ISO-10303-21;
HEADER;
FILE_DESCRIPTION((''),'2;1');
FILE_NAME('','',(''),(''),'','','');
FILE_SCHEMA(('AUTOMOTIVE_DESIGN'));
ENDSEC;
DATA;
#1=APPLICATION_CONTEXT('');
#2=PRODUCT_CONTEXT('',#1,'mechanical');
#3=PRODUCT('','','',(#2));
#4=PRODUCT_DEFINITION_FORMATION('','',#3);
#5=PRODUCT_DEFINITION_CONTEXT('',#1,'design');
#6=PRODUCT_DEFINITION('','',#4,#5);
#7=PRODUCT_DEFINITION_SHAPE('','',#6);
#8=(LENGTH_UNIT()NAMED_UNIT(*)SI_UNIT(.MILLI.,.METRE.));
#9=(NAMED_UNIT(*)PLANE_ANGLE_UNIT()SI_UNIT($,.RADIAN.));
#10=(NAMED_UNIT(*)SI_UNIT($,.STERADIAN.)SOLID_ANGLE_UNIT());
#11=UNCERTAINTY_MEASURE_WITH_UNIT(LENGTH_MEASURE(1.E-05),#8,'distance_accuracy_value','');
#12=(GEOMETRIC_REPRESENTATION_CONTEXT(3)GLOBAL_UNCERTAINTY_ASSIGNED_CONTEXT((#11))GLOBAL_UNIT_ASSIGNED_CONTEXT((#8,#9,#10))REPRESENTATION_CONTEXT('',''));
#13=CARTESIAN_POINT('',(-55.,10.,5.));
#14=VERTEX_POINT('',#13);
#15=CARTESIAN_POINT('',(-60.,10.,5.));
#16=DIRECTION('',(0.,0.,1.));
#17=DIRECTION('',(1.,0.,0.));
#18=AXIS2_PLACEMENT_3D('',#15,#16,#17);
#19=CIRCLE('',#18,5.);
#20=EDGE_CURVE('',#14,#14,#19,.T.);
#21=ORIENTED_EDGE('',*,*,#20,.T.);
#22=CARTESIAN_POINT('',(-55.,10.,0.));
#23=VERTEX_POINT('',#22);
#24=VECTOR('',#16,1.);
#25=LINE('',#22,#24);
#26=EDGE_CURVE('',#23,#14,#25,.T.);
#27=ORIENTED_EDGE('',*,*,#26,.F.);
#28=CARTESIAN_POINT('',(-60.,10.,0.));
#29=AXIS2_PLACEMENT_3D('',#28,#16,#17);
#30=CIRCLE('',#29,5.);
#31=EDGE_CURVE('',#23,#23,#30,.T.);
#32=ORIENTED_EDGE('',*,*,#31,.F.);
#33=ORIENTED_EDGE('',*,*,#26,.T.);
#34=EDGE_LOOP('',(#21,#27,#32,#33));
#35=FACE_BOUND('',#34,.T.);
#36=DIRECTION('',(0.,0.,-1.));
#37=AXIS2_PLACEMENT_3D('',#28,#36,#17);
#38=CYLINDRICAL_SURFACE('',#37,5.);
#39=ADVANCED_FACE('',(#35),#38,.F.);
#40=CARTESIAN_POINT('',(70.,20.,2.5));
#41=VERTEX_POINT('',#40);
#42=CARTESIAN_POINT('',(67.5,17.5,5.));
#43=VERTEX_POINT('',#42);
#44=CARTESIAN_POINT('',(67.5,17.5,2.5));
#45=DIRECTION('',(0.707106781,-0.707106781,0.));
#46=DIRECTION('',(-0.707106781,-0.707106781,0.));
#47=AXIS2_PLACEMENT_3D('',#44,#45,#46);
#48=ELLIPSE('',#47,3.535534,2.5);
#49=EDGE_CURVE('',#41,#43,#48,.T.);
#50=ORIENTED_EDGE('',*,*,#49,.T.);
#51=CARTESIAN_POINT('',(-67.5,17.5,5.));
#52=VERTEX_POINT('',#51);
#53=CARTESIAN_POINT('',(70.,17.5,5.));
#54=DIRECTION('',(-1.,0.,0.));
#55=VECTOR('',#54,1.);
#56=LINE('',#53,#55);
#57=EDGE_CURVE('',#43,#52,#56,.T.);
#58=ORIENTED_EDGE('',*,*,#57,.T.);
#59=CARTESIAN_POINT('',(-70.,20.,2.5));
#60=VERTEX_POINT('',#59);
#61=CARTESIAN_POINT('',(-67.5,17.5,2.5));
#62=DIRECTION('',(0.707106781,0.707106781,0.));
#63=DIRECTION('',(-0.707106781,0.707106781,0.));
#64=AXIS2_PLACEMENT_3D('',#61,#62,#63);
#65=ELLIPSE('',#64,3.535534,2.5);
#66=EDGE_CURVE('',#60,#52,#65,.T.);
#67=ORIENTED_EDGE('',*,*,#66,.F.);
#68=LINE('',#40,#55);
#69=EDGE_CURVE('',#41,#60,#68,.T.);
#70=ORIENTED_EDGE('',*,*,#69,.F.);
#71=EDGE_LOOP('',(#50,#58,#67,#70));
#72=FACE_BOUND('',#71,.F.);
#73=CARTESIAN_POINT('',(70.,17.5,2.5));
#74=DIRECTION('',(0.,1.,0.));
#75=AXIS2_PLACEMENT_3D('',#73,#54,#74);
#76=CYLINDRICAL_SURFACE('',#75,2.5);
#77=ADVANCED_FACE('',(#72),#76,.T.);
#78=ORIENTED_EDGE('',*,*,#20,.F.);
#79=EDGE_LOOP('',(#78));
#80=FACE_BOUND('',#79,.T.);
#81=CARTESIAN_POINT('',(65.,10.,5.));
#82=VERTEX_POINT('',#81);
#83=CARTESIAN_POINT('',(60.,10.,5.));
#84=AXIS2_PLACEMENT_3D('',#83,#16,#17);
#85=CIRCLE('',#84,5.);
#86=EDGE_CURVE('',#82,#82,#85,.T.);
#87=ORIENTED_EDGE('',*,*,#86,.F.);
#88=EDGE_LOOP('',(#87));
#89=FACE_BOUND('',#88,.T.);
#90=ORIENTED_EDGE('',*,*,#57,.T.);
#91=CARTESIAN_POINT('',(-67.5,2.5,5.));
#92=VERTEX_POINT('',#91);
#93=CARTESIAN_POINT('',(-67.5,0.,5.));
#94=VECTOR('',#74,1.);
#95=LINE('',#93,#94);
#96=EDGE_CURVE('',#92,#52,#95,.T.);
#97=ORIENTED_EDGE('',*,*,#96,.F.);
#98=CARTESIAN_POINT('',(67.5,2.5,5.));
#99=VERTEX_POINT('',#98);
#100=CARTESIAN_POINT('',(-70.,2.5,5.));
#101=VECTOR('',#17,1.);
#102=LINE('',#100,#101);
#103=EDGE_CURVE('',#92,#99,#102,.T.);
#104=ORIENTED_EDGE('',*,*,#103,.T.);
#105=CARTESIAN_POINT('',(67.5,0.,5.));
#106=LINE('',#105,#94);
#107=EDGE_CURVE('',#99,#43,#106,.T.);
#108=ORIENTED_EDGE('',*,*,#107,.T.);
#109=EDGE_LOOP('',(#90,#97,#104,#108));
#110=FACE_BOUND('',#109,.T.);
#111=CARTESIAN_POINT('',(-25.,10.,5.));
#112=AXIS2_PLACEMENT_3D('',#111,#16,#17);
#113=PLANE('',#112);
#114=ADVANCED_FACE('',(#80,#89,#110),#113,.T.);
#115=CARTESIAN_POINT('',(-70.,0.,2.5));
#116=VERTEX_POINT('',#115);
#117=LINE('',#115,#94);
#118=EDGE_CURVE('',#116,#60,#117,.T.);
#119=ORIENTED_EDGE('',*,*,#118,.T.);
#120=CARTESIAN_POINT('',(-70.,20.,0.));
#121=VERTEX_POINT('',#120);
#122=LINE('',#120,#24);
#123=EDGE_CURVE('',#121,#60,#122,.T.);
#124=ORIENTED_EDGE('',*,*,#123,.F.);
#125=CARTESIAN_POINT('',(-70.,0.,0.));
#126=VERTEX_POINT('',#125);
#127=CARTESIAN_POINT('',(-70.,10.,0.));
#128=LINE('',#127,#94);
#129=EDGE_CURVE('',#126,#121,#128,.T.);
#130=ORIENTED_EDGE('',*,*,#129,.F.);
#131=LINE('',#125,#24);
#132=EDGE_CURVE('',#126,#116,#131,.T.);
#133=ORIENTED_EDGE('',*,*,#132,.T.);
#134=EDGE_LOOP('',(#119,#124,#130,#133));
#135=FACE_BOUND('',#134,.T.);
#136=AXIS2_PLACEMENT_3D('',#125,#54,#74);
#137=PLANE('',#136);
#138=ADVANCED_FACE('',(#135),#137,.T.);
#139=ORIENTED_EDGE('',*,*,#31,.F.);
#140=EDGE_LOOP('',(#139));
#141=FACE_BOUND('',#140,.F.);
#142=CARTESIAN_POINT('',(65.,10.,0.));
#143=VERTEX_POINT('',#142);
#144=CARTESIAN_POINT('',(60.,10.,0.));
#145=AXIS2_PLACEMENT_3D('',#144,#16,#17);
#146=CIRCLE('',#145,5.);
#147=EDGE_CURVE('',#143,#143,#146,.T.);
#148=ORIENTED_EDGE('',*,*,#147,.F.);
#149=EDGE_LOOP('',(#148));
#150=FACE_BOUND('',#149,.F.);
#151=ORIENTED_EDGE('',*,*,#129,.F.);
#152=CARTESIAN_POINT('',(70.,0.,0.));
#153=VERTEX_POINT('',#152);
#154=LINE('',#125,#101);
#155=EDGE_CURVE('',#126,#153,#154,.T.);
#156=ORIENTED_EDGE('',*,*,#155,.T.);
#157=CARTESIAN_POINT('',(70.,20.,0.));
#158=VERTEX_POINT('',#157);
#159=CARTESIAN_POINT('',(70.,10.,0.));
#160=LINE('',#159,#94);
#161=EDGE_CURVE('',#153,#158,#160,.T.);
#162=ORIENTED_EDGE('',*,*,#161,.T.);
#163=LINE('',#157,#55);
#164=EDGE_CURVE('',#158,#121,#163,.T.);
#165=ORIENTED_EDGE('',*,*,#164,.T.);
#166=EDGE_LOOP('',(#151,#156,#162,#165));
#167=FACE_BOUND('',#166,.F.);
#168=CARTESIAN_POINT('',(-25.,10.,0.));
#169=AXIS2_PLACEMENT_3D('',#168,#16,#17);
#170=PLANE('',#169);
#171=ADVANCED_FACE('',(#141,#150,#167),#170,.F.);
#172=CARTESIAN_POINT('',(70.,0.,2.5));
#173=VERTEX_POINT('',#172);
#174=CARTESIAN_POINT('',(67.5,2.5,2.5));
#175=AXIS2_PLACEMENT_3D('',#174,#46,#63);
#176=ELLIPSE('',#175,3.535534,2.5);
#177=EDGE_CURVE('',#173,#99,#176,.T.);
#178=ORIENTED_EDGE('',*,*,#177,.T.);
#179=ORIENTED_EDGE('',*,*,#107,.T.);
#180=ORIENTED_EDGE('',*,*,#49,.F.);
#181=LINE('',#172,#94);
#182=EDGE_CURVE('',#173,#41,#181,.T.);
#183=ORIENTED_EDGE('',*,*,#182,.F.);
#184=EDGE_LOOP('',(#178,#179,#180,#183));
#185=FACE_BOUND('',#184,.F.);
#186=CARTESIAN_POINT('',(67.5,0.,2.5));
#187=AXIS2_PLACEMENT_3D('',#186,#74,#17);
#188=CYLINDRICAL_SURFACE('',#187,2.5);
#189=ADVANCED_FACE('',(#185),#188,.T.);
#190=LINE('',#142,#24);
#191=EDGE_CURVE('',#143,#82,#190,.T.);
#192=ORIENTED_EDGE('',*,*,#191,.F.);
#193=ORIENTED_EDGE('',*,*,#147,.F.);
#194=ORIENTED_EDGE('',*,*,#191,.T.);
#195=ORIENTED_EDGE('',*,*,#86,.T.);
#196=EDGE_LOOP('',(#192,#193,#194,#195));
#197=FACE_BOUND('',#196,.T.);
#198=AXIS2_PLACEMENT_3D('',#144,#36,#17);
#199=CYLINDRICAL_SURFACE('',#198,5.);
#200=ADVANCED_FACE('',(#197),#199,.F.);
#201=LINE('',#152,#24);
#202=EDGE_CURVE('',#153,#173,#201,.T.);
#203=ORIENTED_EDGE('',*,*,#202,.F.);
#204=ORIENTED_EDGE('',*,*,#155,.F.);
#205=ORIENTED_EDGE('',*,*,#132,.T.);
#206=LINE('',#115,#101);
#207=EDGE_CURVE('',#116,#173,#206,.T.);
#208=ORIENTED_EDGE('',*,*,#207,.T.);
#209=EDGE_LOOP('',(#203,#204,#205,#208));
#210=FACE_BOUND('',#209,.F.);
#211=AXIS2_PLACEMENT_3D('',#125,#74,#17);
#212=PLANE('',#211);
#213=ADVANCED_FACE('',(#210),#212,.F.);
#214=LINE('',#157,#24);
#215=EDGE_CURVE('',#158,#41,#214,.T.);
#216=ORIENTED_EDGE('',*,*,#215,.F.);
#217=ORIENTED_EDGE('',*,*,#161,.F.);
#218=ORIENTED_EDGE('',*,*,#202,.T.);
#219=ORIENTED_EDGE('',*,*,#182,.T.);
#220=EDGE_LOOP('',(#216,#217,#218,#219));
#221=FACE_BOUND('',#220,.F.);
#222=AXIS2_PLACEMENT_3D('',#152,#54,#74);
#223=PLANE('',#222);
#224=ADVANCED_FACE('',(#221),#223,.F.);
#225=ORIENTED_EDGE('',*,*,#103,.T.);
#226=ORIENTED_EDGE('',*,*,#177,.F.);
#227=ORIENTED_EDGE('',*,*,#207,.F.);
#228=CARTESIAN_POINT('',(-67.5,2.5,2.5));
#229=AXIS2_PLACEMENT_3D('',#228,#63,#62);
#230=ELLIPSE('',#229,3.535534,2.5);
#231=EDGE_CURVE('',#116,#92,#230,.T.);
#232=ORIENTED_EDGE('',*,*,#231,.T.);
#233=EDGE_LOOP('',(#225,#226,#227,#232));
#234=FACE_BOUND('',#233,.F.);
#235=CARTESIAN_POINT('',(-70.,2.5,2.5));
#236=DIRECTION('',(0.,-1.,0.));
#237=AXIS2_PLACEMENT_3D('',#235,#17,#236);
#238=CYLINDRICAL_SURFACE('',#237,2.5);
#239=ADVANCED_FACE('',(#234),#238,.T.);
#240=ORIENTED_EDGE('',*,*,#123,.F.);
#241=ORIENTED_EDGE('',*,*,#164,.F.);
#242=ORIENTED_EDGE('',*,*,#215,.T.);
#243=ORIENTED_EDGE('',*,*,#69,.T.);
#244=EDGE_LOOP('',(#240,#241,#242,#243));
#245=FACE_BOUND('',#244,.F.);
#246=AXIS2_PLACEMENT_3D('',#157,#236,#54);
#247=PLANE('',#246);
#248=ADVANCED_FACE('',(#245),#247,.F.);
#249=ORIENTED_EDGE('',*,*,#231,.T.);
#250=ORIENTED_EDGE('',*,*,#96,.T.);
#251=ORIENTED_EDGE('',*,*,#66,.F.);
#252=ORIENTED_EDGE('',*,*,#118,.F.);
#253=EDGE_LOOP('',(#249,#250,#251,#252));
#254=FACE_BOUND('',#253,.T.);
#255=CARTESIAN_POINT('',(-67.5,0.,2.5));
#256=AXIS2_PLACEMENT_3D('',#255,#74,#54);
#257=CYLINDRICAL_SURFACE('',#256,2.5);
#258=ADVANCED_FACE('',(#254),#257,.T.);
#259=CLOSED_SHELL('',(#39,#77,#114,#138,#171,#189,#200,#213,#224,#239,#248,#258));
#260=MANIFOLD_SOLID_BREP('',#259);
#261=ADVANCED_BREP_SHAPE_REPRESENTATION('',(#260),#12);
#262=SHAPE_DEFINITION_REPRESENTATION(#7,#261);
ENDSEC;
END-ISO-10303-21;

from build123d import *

# Parameters (mm, degrees)
F0_W     = 50
F0_H     = 20
F0_W_2   = 20
F0_R     = 5
F1_DEPTH = 5
F2_R     = 2.5


with BuildPart() as f1:
    # F0 (on Top) → F1 (new body)
    with BuildSketch(Plane.XY):
        with Locations((-25, 10)):
            Rectangle(F0_W, F0_H)
        with Locations((25, 10)):
            Rectangle(F0_W, F0_H)
        with Locations((60, 10)):
            Rectangle(F0_W_2, F0_H)
        with Locations((60, 10)):
            Circle(F0_R, mode=Mode.SUBTRACT)
        with Locations((-60, 10)):
            Rectangle(F0_W_2, F0_H)
        with Locations((-60, 10)):
            Circle(F0_R, mode=Mode.SUBTRACT)
    extrude(amount=F1_DEPTH)

    # F2
    f2_edges = [f1.edges().sort_by_distance(p)[0] for p in [
        (0, 20, 5),
        (70, 10, 5),
        (0, 0, 5),
        (-70, 10, 5),
    ]]
    fillet(f2_edges, radius=F2_R)


solid = f1.part
